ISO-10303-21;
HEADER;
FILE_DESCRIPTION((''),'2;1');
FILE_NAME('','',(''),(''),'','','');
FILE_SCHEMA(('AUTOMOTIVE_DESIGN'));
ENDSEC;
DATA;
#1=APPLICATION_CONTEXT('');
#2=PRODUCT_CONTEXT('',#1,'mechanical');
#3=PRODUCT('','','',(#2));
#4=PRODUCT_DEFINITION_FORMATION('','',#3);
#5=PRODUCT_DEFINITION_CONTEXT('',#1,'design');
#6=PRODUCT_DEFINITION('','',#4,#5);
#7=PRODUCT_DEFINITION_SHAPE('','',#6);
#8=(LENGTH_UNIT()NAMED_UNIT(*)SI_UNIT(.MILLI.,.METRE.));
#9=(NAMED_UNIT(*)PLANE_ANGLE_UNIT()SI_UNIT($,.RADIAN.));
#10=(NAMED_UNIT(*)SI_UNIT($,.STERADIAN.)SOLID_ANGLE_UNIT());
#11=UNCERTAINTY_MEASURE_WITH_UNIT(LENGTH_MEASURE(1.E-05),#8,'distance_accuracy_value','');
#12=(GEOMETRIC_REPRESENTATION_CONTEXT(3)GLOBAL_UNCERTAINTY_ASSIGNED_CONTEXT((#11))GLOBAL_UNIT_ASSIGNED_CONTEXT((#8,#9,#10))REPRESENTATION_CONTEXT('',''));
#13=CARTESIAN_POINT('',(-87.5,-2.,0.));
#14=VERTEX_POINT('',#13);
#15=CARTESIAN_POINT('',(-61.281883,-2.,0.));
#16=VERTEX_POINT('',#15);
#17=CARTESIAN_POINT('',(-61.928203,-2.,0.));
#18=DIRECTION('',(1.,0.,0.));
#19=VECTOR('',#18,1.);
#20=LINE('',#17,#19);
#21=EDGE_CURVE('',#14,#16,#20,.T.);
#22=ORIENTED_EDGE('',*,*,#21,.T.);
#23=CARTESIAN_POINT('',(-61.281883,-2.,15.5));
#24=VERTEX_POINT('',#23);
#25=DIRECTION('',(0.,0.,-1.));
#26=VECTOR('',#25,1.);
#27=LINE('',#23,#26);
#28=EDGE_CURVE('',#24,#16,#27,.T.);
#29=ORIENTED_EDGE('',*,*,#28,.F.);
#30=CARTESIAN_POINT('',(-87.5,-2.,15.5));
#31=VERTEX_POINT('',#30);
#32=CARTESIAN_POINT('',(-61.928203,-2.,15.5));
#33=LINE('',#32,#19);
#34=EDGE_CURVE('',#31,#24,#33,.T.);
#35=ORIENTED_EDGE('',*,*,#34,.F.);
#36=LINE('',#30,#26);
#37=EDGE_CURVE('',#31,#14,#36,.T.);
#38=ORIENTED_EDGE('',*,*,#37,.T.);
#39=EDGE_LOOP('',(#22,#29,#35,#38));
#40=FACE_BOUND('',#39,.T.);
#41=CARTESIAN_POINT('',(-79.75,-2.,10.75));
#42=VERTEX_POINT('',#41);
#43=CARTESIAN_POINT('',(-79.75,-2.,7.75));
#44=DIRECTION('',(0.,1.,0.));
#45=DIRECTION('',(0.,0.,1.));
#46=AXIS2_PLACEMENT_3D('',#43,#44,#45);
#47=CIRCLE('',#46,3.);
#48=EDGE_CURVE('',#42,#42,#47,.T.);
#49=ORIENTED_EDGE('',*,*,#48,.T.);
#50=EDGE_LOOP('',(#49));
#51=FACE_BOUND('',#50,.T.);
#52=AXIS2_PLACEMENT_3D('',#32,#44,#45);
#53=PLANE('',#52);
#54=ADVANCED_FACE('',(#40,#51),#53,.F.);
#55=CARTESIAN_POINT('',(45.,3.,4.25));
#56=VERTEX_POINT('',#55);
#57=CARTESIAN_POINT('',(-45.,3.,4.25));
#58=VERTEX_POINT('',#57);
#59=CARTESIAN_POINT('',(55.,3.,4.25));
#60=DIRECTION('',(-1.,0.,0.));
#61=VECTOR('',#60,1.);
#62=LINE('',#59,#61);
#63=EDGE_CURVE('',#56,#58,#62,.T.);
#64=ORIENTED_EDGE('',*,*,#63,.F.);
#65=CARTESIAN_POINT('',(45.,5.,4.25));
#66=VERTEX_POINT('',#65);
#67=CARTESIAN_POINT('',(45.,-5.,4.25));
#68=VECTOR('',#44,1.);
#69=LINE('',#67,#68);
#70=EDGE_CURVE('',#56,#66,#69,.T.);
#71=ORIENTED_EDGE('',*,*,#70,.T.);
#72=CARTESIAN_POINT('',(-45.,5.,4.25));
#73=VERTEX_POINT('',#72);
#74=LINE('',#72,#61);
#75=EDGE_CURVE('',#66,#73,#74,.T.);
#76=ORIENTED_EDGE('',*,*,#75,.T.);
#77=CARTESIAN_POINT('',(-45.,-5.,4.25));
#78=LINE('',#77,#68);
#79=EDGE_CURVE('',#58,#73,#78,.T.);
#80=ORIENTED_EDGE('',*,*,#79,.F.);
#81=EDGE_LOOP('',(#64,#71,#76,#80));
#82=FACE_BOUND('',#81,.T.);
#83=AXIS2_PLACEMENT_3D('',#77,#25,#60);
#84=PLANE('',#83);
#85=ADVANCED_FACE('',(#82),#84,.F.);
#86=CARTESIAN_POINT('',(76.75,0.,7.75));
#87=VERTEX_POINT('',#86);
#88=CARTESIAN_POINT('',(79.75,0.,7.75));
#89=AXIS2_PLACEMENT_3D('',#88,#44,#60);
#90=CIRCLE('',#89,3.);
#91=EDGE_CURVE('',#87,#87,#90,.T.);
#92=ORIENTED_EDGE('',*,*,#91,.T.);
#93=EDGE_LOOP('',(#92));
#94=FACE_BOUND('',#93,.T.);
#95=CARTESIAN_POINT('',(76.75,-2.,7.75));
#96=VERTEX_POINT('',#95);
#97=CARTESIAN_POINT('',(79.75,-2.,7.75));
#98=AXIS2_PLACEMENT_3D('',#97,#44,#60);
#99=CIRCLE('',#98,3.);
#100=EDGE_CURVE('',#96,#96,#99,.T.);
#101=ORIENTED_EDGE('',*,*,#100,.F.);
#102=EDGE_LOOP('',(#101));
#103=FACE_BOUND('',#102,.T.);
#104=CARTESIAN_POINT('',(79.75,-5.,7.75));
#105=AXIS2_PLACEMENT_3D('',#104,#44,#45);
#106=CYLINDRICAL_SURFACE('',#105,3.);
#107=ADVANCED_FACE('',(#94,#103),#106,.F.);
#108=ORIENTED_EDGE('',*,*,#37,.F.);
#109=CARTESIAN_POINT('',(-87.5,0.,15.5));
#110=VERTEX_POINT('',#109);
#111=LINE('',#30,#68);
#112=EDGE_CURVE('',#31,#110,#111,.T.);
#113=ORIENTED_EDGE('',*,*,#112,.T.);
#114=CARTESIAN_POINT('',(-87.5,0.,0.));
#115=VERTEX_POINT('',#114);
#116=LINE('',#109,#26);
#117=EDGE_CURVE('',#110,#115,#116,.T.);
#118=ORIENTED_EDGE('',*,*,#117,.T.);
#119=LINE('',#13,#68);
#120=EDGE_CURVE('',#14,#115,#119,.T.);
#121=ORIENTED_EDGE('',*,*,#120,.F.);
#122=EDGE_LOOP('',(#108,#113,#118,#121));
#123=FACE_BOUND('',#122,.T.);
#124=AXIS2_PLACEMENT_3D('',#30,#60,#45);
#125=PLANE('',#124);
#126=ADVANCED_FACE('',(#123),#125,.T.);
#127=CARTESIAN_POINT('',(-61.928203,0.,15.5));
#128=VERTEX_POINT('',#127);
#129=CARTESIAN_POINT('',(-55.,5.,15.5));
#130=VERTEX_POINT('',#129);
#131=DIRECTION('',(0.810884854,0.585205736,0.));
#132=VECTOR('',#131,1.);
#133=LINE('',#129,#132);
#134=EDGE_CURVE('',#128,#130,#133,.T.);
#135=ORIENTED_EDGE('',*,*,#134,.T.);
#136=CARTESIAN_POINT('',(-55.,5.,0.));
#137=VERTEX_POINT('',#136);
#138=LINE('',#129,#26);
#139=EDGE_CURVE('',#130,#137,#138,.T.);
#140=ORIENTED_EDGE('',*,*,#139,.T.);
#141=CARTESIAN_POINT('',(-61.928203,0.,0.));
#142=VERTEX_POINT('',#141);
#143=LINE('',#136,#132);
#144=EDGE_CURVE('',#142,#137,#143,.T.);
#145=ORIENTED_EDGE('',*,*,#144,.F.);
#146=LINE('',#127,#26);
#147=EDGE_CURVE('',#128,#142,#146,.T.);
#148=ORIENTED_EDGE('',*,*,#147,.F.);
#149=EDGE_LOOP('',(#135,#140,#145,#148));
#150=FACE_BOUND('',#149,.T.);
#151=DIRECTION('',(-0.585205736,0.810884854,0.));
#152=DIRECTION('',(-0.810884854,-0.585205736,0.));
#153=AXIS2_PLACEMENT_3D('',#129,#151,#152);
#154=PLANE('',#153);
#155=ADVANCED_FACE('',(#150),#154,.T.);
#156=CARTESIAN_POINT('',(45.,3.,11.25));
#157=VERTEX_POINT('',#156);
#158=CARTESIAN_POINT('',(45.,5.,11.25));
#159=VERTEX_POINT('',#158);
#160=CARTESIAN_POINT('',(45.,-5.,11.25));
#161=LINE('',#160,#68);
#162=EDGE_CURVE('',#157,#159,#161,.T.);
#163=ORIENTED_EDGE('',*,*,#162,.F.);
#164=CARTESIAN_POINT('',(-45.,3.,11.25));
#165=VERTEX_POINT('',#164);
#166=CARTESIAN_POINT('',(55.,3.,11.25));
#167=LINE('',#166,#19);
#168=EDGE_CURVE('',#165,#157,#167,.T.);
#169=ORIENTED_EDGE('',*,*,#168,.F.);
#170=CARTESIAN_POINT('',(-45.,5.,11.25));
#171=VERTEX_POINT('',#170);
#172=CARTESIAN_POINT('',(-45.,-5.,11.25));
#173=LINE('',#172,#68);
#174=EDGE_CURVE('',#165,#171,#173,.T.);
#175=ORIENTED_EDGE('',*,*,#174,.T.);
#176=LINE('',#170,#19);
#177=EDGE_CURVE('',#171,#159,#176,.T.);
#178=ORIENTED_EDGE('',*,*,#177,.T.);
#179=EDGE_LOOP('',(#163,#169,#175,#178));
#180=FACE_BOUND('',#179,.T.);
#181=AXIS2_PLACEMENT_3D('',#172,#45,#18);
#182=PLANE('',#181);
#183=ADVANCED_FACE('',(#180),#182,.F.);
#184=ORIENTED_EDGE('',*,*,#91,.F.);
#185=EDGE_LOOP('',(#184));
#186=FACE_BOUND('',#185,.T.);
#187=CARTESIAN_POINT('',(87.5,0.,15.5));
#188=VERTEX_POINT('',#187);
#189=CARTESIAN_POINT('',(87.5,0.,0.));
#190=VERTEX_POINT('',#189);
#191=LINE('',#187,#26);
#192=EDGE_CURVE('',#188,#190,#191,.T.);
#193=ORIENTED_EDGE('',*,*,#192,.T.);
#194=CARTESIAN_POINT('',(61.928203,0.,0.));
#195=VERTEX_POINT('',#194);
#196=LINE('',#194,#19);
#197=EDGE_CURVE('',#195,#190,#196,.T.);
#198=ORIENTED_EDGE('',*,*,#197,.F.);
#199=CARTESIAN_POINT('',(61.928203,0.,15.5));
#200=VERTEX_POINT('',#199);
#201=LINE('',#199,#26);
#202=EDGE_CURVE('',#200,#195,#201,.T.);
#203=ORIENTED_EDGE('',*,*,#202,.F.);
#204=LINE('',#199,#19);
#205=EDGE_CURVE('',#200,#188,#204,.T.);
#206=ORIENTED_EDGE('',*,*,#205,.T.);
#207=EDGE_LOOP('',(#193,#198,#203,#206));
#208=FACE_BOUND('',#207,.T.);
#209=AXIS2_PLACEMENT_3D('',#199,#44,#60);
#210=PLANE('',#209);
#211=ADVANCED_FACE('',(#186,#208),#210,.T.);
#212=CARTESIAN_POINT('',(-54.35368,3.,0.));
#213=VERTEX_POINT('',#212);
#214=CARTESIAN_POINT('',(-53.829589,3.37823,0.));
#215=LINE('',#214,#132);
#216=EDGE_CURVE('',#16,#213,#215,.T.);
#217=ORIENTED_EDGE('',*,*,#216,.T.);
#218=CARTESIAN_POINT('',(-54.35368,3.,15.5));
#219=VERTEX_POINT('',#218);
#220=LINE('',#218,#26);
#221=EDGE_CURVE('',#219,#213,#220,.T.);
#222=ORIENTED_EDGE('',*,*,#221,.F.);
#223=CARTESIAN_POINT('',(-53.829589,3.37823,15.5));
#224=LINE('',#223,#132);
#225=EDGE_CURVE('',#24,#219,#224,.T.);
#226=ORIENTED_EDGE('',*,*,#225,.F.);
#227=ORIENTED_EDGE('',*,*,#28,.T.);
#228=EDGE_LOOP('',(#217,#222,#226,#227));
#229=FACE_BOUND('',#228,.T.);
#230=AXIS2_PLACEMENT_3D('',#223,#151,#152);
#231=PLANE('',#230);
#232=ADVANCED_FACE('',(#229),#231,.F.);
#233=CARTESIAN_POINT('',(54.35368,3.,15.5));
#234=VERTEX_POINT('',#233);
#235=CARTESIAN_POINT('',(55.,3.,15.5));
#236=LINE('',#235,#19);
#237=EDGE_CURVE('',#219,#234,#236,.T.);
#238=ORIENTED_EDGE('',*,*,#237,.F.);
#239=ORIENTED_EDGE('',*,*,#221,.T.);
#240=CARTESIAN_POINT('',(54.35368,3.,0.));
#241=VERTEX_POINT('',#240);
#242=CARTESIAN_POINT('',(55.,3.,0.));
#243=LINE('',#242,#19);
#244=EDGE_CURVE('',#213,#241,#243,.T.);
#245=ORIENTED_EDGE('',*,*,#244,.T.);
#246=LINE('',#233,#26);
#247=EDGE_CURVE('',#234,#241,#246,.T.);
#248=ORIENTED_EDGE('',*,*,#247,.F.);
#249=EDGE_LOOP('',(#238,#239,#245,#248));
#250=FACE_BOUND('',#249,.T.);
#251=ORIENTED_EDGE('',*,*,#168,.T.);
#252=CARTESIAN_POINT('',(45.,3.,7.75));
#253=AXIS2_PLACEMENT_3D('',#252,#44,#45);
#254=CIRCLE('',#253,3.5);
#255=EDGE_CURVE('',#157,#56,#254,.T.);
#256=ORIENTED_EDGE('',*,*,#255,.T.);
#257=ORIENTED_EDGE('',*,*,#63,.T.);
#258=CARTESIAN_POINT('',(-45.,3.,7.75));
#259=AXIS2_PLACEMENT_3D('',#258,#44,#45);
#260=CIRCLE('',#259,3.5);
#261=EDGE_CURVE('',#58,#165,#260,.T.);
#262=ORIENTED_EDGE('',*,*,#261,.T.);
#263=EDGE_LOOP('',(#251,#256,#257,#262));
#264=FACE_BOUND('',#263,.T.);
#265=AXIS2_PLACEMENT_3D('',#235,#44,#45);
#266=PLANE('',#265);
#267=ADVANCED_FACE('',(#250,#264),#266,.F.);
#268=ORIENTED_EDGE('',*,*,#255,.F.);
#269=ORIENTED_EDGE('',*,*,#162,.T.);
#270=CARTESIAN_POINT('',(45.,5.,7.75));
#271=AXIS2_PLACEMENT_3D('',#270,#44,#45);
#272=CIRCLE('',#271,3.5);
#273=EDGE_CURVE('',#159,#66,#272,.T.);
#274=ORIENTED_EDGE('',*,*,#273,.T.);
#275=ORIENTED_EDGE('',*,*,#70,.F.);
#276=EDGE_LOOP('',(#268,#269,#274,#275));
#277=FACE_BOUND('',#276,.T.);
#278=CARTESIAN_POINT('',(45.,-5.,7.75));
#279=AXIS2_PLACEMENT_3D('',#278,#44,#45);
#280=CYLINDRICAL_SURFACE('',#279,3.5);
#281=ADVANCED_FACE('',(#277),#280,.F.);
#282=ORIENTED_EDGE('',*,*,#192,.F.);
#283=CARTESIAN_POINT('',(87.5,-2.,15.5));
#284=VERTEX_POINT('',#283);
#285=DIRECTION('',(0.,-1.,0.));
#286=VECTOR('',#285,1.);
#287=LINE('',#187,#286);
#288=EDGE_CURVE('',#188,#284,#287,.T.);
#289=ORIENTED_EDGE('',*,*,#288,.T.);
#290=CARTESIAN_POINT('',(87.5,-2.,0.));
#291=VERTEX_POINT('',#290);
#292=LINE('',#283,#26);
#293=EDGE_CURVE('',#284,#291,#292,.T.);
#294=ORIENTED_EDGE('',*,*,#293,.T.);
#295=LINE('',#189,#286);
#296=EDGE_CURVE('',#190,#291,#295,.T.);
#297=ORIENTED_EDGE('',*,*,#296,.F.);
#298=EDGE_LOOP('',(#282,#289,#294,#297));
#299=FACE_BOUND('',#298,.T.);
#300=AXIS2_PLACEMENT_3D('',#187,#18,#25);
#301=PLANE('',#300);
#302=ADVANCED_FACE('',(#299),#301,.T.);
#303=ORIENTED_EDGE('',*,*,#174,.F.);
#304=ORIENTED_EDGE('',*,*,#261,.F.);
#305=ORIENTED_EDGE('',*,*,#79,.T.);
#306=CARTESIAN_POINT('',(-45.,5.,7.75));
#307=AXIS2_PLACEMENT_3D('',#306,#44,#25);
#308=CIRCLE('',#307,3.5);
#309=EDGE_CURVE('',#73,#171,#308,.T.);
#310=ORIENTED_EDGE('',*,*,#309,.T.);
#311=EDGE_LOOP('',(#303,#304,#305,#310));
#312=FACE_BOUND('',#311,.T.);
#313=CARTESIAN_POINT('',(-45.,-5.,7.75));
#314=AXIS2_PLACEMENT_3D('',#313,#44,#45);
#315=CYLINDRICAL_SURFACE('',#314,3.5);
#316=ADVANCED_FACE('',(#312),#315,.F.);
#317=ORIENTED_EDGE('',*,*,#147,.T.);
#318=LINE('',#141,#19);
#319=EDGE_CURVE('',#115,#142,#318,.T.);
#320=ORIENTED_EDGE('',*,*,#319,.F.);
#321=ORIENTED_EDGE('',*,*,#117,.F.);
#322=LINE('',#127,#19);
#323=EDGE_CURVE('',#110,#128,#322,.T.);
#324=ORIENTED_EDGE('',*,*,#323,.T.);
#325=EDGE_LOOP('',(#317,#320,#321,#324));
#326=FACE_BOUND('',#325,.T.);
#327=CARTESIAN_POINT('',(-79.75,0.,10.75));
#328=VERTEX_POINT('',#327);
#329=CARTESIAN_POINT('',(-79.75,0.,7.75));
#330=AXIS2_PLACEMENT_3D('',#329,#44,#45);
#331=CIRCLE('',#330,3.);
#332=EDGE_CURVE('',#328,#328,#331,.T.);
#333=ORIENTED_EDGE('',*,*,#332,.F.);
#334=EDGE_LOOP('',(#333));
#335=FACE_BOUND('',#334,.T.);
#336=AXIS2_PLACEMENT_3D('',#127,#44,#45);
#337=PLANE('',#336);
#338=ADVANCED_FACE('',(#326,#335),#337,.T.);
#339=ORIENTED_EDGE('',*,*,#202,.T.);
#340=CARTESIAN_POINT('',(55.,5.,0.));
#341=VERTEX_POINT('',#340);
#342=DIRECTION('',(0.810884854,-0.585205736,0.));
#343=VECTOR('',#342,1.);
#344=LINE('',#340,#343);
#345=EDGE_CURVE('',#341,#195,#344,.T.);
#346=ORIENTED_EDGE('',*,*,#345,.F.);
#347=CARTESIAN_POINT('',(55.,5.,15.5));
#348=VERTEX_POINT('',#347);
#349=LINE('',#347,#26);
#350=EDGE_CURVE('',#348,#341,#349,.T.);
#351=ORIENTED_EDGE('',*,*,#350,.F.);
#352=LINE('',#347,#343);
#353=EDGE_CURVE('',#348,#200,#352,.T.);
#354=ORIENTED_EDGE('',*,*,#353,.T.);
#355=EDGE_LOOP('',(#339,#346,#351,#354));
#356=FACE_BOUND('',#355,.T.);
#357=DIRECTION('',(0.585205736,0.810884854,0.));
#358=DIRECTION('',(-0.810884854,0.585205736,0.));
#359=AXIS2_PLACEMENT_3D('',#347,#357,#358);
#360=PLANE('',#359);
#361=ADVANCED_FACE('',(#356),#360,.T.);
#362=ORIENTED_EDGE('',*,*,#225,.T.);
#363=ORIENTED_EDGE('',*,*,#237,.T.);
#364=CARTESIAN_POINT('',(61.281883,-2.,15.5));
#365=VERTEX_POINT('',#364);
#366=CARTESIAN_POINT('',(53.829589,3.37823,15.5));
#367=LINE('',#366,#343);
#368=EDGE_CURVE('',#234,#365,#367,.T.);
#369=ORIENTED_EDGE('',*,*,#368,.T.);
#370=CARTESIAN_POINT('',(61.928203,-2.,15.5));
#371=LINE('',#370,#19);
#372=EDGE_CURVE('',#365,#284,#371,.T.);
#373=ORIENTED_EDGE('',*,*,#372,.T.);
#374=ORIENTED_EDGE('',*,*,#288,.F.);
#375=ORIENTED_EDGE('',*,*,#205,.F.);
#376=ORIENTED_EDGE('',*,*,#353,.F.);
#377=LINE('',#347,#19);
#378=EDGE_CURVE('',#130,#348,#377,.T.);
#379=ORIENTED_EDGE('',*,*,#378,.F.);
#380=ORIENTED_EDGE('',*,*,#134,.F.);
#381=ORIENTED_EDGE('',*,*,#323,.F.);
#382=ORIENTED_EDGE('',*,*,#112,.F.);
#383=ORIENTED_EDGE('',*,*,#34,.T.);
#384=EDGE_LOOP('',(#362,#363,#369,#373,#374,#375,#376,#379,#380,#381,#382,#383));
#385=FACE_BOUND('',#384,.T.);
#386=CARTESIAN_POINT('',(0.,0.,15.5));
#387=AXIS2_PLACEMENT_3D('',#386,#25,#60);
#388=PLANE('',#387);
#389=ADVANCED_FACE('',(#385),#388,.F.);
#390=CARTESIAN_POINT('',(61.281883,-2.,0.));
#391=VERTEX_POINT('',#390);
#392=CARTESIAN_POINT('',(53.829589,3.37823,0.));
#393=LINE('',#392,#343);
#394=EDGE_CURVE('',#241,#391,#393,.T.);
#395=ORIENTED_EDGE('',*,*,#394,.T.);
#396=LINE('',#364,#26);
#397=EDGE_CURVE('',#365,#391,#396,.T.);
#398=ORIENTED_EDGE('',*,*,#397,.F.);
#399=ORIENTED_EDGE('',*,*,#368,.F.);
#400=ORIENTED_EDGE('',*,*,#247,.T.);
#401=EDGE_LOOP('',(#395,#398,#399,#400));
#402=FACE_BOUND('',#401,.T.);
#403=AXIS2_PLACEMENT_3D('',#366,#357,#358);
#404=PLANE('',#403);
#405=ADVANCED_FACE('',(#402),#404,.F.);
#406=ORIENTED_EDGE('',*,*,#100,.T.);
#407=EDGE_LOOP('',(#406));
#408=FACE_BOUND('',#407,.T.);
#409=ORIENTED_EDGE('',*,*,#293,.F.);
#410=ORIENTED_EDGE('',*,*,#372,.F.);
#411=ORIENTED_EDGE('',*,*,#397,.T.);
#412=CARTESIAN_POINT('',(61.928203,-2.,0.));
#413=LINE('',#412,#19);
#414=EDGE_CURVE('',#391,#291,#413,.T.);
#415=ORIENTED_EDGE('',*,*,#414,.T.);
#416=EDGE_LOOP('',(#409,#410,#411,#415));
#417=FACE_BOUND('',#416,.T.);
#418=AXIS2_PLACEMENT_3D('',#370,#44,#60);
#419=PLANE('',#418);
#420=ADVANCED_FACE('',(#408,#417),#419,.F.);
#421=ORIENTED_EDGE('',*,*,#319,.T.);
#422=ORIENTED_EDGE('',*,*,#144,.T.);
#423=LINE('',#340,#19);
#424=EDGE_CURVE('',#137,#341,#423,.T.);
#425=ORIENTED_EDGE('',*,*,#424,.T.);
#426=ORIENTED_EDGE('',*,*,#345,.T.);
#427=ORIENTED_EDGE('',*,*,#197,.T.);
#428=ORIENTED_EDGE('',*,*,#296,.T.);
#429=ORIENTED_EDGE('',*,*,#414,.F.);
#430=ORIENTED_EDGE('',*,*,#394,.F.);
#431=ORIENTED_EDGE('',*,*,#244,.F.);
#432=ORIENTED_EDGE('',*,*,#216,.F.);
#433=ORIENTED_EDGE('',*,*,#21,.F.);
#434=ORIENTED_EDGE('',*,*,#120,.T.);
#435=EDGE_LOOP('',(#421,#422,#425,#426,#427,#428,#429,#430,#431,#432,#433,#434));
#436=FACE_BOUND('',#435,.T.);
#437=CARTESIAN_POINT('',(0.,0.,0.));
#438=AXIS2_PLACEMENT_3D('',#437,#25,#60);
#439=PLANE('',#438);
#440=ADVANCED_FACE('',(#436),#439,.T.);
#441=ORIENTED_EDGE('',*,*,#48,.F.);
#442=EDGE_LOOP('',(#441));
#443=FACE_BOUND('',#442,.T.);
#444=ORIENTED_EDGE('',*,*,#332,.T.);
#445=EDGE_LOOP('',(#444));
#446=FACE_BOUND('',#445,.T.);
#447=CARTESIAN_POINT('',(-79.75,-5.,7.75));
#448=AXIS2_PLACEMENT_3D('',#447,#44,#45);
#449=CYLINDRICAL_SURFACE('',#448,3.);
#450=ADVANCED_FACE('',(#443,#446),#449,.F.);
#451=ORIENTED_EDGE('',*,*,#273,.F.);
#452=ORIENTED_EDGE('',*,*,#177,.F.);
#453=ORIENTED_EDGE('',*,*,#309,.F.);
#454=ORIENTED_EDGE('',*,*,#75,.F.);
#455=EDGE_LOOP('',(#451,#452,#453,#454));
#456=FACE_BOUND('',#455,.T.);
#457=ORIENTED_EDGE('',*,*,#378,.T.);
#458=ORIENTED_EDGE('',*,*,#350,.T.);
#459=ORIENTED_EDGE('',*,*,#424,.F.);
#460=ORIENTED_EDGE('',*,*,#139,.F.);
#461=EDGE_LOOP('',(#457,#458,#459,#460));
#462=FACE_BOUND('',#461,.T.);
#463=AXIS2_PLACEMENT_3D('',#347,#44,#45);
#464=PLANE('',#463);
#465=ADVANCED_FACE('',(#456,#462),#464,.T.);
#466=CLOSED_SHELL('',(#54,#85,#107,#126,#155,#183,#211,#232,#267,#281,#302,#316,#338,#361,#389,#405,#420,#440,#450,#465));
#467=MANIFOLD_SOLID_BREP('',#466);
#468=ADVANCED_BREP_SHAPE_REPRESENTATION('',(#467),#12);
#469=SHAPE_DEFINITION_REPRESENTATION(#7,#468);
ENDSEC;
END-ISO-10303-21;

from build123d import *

# Parameters (mm, degrees)
EXTRUDE_1_DEPTH     = 15.5
SKETCH_2_R          = 3
CUT_EXTRUDE_1_DEPTH = 10


with BuildPart() as part:
    # Эскиз1 → Вытянуть-Тонкостенный1 (new body)
    with BuildSketch(Plane.XY):
        Polygon((87.5, 0), (61.92820323, 0), (55, 5), (-55, 5), (-61.92820323, 0), (-87.5, 0), (-87.5, -2), (-61.281883024, -2), (-54.353679794, 3), (54.353679794, 3), (61.281883024, -2), (87.5, -2), align=None)
    extrude(amount=EXTRUDE_1_DEPTH)

    # Эскиз2 → Вырез-Вытянуть1 (cut)
    with BuildSketch(Plane(origin=(0, 5, 0), x_dir=(1, 0, 0), z_dir=(0, 1, 0))):
        with Locations((-79.75, -7.75)):
            Circle(SKETCH_2_R)
        with Locations((79.75, -7.75)):
            Circle(SKETCH_2_R)
        with BuildLine():
            Line((-45, -4.25), (45, -4.25))
            ThreePointArc((45, -4.25), (48.5, -7.75), (45, -11.25))
            Line((45, -11.25), (-45, -11.25))
            ThreePointArc((-45, -11.25), (-48.5, -7.75), (-45, -4.25))
        make_face()
    extrude(amount=-CUT_EXTRUDE_1_DEPTH, mode=Mode.SUBTRACT)


solid = part.part
